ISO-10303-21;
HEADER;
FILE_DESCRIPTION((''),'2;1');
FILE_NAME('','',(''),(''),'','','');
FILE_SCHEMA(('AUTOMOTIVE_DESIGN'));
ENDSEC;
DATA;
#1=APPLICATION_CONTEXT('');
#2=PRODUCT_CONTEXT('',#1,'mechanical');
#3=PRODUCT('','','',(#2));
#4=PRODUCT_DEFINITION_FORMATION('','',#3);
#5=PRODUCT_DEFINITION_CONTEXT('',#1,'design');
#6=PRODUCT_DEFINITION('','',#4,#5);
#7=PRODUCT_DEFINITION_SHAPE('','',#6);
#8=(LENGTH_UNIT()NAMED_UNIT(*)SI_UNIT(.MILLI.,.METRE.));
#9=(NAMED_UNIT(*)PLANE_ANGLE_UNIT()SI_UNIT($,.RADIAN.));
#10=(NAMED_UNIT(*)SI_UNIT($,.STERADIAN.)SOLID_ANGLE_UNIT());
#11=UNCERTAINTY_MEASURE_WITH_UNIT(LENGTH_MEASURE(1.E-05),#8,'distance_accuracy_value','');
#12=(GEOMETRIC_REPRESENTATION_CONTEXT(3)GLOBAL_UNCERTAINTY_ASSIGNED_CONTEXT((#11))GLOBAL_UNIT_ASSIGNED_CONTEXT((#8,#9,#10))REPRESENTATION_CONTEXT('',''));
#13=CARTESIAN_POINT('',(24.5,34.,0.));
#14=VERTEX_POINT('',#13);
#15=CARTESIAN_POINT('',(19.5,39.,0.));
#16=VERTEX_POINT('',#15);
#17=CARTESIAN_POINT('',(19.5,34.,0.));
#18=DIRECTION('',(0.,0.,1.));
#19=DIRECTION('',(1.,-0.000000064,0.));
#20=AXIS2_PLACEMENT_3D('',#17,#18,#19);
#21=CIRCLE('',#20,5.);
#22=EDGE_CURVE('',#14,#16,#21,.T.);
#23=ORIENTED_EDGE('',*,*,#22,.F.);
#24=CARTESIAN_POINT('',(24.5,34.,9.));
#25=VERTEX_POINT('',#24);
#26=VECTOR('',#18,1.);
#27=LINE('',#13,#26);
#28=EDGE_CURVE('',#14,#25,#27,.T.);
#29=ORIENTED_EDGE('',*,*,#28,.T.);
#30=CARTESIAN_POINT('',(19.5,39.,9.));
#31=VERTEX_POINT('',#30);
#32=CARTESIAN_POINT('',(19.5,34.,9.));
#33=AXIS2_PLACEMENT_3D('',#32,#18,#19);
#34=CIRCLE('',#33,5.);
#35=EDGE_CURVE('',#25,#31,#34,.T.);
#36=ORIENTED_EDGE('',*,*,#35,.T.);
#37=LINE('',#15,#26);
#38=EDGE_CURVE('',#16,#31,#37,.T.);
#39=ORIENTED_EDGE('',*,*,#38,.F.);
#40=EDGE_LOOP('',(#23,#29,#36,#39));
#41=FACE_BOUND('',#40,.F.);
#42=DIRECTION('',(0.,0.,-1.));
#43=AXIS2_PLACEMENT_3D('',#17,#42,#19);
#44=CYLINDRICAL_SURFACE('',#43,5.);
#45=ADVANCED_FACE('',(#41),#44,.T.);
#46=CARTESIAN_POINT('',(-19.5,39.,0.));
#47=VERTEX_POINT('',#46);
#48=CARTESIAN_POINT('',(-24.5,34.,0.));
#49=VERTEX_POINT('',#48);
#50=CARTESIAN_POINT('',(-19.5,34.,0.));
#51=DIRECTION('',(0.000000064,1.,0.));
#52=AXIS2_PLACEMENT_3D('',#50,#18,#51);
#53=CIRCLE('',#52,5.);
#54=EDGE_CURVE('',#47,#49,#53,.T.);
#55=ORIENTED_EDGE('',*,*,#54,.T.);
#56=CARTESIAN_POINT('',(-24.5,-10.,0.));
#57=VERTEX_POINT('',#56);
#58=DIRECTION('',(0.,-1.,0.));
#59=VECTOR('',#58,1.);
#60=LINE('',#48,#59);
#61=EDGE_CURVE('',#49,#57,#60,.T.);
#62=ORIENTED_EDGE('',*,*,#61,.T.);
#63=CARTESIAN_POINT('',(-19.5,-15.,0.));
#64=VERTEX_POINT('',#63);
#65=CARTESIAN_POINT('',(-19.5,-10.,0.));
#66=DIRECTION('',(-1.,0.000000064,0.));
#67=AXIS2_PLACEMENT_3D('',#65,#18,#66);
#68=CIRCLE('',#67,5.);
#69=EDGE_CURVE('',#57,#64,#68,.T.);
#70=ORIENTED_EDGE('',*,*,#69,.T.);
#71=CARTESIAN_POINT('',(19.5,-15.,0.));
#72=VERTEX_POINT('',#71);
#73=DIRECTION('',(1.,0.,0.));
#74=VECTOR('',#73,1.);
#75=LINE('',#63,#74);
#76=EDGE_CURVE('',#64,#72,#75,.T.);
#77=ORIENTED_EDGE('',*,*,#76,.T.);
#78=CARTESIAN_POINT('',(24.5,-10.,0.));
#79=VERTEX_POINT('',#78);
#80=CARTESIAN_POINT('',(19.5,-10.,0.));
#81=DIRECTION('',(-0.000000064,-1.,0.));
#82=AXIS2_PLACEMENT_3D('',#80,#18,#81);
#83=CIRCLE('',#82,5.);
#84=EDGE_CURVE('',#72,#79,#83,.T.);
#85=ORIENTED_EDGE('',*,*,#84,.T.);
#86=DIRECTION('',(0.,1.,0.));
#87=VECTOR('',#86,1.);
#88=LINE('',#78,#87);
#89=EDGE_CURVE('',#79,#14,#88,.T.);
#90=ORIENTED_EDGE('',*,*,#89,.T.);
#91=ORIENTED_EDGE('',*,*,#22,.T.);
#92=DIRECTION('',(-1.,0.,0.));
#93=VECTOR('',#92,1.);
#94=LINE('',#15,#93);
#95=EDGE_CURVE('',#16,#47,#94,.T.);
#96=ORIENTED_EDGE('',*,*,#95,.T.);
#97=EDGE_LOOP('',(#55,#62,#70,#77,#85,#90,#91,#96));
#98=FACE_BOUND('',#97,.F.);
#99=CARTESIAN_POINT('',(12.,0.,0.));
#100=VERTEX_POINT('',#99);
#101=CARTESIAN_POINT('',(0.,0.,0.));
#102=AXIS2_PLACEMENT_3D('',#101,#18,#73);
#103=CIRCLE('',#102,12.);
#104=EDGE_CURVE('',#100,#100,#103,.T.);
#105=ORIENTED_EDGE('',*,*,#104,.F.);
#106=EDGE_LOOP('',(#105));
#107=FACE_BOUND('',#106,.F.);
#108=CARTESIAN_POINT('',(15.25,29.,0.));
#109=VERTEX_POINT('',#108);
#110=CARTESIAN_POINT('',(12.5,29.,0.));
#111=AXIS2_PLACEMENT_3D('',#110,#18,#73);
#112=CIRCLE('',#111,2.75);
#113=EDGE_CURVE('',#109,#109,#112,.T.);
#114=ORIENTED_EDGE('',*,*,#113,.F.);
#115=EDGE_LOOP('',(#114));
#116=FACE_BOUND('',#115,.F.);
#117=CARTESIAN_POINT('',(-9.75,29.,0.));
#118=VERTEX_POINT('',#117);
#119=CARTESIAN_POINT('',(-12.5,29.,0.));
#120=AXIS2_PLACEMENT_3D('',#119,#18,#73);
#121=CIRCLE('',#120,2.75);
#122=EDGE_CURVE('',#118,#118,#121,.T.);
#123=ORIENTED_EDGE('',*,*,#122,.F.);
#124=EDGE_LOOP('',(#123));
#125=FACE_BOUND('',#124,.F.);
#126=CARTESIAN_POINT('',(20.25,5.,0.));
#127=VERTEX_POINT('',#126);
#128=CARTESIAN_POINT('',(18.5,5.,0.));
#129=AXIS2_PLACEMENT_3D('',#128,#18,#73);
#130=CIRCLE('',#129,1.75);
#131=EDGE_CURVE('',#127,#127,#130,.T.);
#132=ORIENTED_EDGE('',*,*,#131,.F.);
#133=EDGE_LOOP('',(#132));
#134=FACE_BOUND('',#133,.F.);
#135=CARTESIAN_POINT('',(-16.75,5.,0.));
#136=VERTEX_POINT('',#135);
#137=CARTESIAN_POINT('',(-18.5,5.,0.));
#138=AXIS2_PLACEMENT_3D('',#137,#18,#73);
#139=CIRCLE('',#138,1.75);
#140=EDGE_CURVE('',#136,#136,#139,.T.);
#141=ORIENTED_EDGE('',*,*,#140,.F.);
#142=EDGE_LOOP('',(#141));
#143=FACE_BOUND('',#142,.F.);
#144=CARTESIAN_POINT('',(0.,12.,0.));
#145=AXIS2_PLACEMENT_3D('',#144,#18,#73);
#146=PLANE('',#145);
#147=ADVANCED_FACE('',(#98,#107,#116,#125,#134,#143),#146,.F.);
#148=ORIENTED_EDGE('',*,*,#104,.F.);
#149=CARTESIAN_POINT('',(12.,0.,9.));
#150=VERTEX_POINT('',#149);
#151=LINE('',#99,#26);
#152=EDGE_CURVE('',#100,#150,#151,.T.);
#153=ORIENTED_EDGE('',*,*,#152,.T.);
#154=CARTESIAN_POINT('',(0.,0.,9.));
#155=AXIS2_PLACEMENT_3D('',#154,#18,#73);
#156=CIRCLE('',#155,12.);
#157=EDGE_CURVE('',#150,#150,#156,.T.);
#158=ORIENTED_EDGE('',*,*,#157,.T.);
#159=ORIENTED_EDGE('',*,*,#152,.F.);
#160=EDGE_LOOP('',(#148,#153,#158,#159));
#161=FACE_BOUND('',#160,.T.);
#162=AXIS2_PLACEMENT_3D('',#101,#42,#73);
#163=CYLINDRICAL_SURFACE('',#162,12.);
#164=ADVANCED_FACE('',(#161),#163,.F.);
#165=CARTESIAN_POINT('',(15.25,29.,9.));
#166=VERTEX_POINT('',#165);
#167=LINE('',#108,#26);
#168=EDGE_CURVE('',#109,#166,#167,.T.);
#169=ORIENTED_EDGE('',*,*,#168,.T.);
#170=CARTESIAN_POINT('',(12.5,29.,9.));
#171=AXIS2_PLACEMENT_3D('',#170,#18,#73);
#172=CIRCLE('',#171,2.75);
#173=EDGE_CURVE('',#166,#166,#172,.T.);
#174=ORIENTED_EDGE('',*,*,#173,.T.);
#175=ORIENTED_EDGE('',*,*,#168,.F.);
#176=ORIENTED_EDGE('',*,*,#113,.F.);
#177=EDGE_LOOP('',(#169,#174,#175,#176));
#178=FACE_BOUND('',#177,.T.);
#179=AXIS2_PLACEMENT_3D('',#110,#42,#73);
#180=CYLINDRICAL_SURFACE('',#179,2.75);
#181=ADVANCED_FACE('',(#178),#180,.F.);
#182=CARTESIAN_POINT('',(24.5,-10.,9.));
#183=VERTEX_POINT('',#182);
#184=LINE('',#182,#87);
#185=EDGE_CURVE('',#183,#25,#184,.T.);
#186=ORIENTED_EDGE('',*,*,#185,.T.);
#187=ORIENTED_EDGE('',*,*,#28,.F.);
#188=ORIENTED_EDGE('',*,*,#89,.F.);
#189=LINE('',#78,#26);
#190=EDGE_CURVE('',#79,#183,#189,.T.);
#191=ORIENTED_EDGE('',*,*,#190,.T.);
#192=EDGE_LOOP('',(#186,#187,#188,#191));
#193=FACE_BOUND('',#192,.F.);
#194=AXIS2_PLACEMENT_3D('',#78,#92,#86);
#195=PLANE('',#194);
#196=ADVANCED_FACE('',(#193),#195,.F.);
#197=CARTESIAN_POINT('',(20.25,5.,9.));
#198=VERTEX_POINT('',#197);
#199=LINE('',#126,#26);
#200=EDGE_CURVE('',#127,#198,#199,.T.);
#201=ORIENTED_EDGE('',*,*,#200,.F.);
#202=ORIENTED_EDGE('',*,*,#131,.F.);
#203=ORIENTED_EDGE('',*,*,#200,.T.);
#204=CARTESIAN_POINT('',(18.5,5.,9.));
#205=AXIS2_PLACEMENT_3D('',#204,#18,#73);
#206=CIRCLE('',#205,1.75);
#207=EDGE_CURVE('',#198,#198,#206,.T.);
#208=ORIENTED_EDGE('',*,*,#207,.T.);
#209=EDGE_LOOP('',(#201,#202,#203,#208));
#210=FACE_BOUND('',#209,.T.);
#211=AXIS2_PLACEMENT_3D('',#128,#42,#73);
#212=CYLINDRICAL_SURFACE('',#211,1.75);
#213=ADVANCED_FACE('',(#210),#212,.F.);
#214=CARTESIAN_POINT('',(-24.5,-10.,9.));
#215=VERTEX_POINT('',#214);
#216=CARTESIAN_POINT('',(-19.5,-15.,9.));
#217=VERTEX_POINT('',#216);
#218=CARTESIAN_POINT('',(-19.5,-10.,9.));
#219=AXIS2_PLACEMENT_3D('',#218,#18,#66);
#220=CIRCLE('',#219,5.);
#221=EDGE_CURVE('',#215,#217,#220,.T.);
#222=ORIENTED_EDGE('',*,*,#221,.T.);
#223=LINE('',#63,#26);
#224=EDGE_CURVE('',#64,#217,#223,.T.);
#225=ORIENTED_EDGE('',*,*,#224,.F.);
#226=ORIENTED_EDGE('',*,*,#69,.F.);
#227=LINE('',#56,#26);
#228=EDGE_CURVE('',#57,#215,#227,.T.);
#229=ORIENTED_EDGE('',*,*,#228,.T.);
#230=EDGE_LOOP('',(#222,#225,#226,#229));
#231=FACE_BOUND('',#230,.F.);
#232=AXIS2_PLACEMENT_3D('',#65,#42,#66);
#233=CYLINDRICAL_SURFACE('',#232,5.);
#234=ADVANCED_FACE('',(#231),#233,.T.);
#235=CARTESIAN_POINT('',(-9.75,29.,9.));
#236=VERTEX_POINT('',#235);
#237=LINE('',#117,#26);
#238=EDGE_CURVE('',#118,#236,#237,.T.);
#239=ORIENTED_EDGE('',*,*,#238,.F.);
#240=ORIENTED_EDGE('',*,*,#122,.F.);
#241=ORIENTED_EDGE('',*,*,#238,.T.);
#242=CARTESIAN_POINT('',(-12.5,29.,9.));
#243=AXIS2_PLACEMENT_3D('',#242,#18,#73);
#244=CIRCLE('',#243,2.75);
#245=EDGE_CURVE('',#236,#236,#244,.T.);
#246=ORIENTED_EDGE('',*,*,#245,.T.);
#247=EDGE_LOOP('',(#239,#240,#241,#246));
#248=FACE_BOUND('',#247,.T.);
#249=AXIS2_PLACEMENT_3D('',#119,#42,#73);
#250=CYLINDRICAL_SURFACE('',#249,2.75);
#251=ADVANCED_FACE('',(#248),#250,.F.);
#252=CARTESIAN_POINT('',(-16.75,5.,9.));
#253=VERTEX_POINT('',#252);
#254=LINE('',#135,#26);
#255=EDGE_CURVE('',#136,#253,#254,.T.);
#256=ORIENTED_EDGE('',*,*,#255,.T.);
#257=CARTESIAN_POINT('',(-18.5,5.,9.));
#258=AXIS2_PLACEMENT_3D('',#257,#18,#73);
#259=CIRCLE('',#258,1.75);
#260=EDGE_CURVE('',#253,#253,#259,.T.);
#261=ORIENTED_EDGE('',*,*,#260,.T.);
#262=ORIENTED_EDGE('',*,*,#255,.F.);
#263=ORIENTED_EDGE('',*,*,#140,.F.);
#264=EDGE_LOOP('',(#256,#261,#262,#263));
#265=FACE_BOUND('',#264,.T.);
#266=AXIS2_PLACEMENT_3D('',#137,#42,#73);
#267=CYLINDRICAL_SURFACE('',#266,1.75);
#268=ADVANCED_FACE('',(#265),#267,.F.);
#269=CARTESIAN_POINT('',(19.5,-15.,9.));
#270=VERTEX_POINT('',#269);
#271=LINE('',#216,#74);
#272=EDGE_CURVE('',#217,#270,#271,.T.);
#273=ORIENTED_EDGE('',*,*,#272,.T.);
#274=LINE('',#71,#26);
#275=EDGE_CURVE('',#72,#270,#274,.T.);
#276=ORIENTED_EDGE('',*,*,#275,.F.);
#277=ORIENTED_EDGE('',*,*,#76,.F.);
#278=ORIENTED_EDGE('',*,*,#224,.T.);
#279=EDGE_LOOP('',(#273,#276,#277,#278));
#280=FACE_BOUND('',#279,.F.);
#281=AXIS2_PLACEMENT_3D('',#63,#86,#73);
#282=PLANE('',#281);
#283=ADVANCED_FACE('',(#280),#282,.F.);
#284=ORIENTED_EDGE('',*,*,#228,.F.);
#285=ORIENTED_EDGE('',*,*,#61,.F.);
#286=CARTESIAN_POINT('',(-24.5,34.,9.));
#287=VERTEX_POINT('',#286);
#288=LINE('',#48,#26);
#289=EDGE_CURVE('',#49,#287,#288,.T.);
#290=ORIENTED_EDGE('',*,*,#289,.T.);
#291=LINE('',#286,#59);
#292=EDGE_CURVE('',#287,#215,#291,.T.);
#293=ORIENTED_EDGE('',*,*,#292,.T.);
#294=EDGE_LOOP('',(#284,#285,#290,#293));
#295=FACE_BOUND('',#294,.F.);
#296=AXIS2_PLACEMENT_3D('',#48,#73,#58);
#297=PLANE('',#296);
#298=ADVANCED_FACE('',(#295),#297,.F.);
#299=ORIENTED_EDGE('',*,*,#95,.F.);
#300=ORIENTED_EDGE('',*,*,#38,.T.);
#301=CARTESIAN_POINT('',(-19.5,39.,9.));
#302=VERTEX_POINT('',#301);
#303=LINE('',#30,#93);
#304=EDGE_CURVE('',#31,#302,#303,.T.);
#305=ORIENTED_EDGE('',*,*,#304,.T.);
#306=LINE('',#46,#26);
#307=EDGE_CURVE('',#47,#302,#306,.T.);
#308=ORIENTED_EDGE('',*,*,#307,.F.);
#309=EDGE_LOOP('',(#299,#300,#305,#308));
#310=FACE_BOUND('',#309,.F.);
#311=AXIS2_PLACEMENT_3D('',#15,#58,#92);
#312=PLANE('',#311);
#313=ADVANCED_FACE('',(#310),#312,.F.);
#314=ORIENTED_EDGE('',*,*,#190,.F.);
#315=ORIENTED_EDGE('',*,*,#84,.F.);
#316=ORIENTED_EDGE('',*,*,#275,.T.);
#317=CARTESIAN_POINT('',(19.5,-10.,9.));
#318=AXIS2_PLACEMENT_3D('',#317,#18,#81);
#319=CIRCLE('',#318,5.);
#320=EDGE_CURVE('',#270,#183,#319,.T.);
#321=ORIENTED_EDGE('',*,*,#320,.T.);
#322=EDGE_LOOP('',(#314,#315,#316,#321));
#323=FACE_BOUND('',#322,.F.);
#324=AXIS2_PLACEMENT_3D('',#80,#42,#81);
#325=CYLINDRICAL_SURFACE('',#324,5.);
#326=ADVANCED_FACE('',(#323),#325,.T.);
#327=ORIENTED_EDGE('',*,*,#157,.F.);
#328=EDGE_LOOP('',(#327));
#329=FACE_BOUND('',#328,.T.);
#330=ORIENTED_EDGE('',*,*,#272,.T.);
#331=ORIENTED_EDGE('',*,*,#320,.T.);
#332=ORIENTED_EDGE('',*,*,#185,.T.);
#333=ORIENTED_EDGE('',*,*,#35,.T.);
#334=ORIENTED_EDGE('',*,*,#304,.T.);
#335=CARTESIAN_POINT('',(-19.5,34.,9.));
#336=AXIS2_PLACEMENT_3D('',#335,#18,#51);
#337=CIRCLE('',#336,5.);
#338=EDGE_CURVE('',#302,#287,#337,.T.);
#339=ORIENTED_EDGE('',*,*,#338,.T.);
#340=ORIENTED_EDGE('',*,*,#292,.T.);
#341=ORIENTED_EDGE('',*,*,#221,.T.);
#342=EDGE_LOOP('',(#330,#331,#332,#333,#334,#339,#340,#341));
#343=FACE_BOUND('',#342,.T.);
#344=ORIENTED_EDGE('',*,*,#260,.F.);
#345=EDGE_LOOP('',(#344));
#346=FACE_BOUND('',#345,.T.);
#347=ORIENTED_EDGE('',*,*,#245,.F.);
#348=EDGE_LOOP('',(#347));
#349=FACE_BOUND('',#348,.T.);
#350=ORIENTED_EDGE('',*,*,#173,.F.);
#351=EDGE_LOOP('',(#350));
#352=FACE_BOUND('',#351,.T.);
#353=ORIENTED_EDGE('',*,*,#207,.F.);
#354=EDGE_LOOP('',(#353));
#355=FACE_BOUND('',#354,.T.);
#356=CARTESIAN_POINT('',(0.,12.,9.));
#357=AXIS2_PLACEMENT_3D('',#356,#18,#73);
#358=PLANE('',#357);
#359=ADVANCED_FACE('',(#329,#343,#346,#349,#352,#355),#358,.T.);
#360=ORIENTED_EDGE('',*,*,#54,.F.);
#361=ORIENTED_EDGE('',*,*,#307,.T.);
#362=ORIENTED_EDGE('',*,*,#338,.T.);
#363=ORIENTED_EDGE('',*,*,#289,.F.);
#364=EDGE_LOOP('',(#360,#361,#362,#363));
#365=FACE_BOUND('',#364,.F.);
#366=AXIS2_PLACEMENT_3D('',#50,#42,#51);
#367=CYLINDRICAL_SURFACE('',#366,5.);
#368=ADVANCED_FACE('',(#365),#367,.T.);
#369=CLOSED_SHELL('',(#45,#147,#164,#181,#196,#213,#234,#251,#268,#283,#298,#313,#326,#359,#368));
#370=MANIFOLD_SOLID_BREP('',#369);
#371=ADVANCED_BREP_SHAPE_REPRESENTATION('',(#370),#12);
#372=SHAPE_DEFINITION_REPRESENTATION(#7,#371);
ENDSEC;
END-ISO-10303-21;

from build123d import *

# Parameters (mm, degrees)
F0_R     = 1.75
F0_R_2   = 12
F0_R_3   = 2.75
F1_DEPTH = 9


with BuildPart() as f1:
    # F0 (on Top) → F1 (new body)
    with BuildSketch(Plane.XY):
        with BuildLine():
            Line((19.5, 39), (-19.5, 39))
            ThreePointArc((-19.5, 39), (-23.035534, 37.535534), (-24.5, 34))
            Line((-24.5, 34), (-24.5, -10))
            ThreePointArc((-24.5, -10), (-23.035534, -13.535534), (-19.5, -15))
            Line((-19.5, -15), (19.5, -15))
            ThreePointArc((19.5, -15), (23.035534, -13.535534), (24.5, -10))
            Line((24.5, -10), (24.5, 34))
            ThreePointArc((24.5, 34), (23.035534, 37.535534), (19.5, 39))
        make_face()
        with Locations((-18.5, 5)):
            Circle(F0_R, mode=Mode.SUBTRACT)
        Circle(F0_R_2, mode=Mode.SUBTRACT)
        with Locations((18.5, 5)):
            Circle(F0_R, mode=Mode.SUBTRACT)
        with Locations((-12.5, 29)):
            Circle(F0_R_3, mode=Mode.SUBTRACT)
        with Locations((12.5, 29)):
            Circle(F0_R_3, mode=Mode.SUBTRACT)
    extrude(amount=F1_DEPTH)


solid = f1.part
